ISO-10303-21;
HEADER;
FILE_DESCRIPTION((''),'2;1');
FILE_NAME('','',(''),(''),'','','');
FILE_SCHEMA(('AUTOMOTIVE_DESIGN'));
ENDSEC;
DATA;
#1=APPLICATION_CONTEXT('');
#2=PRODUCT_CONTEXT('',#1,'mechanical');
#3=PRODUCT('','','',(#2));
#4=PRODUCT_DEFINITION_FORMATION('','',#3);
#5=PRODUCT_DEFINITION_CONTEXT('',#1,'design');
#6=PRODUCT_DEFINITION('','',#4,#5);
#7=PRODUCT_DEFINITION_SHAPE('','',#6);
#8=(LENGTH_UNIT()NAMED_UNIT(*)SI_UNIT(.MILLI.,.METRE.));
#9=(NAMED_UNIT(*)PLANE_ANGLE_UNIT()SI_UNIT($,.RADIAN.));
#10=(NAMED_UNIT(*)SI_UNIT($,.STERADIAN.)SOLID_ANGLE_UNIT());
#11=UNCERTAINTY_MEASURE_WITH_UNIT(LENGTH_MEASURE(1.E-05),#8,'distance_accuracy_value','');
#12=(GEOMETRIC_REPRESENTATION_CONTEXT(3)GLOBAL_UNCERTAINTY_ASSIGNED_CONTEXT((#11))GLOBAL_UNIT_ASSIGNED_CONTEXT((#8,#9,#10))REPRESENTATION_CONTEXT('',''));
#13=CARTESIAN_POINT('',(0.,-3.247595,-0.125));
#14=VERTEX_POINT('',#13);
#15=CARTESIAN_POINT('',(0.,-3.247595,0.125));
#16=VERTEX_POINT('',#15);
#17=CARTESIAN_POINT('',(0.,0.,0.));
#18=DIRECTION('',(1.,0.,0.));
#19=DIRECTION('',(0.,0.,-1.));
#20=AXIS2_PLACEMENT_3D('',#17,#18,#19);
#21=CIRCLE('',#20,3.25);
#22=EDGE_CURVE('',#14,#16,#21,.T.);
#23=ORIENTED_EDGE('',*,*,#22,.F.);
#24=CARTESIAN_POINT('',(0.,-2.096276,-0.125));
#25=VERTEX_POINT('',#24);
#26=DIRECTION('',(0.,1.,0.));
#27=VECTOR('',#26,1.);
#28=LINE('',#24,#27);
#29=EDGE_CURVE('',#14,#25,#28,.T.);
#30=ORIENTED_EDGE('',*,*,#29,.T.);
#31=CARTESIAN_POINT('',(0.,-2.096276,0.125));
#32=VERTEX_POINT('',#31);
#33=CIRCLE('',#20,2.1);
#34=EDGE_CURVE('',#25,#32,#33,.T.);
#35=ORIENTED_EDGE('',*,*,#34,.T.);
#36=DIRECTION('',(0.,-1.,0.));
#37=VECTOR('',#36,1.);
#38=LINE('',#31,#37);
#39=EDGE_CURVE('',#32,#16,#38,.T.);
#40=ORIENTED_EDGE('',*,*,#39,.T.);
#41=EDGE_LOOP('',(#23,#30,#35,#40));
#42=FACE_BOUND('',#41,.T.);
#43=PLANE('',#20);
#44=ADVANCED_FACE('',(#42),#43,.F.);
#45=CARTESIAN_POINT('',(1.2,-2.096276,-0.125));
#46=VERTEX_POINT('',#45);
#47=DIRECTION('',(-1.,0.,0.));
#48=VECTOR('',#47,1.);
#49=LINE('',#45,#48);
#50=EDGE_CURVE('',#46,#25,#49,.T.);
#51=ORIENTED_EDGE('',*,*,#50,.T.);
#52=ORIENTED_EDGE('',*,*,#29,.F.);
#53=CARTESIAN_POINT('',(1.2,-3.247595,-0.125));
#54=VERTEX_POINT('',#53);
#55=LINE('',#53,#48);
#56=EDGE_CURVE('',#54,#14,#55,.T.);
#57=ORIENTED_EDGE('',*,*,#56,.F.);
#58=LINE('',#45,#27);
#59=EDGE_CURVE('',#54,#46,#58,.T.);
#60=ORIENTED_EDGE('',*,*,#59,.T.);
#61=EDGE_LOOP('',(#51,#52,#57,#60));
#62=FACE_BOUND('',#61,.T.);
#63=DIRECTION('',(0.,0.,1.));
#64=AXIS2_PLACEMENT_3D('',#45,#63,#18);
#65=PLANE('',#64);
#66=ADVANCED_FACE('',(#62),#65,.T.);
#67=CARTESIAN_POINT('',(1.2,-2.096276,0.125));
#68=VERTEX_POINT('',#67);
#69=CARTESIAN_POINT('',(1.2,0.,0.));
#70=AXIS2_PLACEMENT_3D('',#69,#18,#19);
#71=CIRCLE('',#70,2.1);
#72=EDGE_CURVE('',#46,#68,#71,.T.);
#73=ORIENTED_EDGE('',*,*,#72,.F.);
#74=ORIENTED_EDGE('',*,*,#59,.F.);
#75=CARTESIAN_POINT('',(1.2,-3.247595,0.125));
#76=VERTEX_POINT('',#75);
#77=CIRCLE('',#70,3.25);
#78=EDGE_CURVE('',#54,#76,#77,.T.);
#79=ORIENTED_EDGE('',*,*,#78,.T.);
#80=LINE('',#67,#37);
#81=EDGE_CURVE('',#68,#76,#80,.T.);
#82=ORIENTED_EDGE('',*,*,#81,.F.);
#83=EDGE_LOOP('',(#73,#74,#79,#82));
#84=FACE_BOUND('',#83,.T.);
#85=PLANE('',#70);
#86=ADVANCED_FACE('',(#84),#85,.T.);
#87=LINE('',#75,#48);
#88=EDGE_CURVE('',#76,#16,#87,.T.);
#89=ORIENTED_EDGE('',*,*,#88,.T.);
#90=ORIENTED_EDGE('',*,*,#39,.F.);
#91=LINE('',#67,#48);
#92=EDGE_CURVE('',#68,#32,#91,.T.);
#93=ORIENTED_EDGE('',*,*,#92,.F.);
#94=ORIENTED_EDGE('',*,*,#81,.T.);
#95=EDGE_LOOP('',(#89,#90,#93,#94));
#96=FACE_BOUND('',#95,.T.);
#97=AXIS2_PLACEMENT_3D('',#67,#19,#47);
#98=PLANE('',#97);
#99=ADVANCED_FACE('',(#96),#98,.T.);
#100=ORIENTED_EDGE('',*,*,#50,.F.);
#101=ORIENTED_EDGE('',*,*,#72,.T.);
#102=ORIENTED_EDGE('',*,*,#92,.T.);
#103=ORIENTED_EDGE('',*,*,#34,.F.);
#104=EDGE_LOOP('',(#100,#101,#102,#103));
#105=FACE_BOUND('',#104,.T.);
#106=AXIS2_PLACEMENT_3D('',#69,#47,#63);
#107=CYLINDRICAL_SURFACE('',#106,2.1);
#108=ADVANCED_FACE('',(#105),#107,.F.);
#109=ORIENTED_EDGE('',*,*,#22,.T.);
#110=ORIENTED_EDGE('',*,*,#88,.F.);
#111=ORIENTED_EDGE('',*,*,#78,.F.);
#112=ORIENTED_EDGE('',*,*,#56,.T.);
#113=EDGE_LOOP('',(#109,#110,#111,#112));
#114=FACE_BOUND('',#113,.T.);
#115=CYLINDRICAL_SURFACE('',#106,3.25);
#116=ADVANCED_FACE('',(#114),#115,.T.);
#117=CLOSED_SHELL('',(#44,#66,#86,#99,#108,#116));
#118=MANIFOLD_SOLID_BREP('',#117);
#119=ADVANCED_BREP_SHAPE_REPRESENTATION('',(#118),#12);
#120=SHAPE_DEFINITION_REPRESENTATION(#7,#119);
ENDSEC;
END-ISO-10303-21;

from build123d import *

# Parameters (mm, degrees)
SKETCH1_R          = 3.25
SKETCH1_R_2        = 2.1
BASE_EXTRUDE_DEPTH = 1.2
SLIT_BEND_DEPTH    = 5.750263151


with BuildPart() as part:
    # Sketch1 → Base-Extrude (new body)
    with BuildSketch(Plane(origin=(0, 0, 0), x_dir=(0, 0, -1), z_dir=(1, 0, 0))):
        Circle(SKETCH1_R)
        Circle(SKETCH1_R_2, mode=Mode.SUBTRACT)
    extrude(amount=BASE_EXTRUDE_DEPTH)

    # Sketch2 → Slit-bend (cut, through all)
    with BuildSketch(Plane(origin=(0, 0, 0), x_dir=(0, 0, -1), z_dir=(1, 0, 0))):
        with BuildLine():
            Line((-0.125, -2.096276461), (-0.125, -3.247595264))
            ThreePointArc((-0.125, -3.247595264), (0, -3.25), (0.125, -3.247595264))
            Line((0.125, -3.247595264), (0.125, -2.096276461))
            ThreePointArc((0.125, -2.096276461), (0, -2.1), (-0.125, -2.096276461))
        make_face()
    extrude(amount=SLIT_BEND_DEPTH, mode=Mode.SUBTRACT)


solid = part.part
